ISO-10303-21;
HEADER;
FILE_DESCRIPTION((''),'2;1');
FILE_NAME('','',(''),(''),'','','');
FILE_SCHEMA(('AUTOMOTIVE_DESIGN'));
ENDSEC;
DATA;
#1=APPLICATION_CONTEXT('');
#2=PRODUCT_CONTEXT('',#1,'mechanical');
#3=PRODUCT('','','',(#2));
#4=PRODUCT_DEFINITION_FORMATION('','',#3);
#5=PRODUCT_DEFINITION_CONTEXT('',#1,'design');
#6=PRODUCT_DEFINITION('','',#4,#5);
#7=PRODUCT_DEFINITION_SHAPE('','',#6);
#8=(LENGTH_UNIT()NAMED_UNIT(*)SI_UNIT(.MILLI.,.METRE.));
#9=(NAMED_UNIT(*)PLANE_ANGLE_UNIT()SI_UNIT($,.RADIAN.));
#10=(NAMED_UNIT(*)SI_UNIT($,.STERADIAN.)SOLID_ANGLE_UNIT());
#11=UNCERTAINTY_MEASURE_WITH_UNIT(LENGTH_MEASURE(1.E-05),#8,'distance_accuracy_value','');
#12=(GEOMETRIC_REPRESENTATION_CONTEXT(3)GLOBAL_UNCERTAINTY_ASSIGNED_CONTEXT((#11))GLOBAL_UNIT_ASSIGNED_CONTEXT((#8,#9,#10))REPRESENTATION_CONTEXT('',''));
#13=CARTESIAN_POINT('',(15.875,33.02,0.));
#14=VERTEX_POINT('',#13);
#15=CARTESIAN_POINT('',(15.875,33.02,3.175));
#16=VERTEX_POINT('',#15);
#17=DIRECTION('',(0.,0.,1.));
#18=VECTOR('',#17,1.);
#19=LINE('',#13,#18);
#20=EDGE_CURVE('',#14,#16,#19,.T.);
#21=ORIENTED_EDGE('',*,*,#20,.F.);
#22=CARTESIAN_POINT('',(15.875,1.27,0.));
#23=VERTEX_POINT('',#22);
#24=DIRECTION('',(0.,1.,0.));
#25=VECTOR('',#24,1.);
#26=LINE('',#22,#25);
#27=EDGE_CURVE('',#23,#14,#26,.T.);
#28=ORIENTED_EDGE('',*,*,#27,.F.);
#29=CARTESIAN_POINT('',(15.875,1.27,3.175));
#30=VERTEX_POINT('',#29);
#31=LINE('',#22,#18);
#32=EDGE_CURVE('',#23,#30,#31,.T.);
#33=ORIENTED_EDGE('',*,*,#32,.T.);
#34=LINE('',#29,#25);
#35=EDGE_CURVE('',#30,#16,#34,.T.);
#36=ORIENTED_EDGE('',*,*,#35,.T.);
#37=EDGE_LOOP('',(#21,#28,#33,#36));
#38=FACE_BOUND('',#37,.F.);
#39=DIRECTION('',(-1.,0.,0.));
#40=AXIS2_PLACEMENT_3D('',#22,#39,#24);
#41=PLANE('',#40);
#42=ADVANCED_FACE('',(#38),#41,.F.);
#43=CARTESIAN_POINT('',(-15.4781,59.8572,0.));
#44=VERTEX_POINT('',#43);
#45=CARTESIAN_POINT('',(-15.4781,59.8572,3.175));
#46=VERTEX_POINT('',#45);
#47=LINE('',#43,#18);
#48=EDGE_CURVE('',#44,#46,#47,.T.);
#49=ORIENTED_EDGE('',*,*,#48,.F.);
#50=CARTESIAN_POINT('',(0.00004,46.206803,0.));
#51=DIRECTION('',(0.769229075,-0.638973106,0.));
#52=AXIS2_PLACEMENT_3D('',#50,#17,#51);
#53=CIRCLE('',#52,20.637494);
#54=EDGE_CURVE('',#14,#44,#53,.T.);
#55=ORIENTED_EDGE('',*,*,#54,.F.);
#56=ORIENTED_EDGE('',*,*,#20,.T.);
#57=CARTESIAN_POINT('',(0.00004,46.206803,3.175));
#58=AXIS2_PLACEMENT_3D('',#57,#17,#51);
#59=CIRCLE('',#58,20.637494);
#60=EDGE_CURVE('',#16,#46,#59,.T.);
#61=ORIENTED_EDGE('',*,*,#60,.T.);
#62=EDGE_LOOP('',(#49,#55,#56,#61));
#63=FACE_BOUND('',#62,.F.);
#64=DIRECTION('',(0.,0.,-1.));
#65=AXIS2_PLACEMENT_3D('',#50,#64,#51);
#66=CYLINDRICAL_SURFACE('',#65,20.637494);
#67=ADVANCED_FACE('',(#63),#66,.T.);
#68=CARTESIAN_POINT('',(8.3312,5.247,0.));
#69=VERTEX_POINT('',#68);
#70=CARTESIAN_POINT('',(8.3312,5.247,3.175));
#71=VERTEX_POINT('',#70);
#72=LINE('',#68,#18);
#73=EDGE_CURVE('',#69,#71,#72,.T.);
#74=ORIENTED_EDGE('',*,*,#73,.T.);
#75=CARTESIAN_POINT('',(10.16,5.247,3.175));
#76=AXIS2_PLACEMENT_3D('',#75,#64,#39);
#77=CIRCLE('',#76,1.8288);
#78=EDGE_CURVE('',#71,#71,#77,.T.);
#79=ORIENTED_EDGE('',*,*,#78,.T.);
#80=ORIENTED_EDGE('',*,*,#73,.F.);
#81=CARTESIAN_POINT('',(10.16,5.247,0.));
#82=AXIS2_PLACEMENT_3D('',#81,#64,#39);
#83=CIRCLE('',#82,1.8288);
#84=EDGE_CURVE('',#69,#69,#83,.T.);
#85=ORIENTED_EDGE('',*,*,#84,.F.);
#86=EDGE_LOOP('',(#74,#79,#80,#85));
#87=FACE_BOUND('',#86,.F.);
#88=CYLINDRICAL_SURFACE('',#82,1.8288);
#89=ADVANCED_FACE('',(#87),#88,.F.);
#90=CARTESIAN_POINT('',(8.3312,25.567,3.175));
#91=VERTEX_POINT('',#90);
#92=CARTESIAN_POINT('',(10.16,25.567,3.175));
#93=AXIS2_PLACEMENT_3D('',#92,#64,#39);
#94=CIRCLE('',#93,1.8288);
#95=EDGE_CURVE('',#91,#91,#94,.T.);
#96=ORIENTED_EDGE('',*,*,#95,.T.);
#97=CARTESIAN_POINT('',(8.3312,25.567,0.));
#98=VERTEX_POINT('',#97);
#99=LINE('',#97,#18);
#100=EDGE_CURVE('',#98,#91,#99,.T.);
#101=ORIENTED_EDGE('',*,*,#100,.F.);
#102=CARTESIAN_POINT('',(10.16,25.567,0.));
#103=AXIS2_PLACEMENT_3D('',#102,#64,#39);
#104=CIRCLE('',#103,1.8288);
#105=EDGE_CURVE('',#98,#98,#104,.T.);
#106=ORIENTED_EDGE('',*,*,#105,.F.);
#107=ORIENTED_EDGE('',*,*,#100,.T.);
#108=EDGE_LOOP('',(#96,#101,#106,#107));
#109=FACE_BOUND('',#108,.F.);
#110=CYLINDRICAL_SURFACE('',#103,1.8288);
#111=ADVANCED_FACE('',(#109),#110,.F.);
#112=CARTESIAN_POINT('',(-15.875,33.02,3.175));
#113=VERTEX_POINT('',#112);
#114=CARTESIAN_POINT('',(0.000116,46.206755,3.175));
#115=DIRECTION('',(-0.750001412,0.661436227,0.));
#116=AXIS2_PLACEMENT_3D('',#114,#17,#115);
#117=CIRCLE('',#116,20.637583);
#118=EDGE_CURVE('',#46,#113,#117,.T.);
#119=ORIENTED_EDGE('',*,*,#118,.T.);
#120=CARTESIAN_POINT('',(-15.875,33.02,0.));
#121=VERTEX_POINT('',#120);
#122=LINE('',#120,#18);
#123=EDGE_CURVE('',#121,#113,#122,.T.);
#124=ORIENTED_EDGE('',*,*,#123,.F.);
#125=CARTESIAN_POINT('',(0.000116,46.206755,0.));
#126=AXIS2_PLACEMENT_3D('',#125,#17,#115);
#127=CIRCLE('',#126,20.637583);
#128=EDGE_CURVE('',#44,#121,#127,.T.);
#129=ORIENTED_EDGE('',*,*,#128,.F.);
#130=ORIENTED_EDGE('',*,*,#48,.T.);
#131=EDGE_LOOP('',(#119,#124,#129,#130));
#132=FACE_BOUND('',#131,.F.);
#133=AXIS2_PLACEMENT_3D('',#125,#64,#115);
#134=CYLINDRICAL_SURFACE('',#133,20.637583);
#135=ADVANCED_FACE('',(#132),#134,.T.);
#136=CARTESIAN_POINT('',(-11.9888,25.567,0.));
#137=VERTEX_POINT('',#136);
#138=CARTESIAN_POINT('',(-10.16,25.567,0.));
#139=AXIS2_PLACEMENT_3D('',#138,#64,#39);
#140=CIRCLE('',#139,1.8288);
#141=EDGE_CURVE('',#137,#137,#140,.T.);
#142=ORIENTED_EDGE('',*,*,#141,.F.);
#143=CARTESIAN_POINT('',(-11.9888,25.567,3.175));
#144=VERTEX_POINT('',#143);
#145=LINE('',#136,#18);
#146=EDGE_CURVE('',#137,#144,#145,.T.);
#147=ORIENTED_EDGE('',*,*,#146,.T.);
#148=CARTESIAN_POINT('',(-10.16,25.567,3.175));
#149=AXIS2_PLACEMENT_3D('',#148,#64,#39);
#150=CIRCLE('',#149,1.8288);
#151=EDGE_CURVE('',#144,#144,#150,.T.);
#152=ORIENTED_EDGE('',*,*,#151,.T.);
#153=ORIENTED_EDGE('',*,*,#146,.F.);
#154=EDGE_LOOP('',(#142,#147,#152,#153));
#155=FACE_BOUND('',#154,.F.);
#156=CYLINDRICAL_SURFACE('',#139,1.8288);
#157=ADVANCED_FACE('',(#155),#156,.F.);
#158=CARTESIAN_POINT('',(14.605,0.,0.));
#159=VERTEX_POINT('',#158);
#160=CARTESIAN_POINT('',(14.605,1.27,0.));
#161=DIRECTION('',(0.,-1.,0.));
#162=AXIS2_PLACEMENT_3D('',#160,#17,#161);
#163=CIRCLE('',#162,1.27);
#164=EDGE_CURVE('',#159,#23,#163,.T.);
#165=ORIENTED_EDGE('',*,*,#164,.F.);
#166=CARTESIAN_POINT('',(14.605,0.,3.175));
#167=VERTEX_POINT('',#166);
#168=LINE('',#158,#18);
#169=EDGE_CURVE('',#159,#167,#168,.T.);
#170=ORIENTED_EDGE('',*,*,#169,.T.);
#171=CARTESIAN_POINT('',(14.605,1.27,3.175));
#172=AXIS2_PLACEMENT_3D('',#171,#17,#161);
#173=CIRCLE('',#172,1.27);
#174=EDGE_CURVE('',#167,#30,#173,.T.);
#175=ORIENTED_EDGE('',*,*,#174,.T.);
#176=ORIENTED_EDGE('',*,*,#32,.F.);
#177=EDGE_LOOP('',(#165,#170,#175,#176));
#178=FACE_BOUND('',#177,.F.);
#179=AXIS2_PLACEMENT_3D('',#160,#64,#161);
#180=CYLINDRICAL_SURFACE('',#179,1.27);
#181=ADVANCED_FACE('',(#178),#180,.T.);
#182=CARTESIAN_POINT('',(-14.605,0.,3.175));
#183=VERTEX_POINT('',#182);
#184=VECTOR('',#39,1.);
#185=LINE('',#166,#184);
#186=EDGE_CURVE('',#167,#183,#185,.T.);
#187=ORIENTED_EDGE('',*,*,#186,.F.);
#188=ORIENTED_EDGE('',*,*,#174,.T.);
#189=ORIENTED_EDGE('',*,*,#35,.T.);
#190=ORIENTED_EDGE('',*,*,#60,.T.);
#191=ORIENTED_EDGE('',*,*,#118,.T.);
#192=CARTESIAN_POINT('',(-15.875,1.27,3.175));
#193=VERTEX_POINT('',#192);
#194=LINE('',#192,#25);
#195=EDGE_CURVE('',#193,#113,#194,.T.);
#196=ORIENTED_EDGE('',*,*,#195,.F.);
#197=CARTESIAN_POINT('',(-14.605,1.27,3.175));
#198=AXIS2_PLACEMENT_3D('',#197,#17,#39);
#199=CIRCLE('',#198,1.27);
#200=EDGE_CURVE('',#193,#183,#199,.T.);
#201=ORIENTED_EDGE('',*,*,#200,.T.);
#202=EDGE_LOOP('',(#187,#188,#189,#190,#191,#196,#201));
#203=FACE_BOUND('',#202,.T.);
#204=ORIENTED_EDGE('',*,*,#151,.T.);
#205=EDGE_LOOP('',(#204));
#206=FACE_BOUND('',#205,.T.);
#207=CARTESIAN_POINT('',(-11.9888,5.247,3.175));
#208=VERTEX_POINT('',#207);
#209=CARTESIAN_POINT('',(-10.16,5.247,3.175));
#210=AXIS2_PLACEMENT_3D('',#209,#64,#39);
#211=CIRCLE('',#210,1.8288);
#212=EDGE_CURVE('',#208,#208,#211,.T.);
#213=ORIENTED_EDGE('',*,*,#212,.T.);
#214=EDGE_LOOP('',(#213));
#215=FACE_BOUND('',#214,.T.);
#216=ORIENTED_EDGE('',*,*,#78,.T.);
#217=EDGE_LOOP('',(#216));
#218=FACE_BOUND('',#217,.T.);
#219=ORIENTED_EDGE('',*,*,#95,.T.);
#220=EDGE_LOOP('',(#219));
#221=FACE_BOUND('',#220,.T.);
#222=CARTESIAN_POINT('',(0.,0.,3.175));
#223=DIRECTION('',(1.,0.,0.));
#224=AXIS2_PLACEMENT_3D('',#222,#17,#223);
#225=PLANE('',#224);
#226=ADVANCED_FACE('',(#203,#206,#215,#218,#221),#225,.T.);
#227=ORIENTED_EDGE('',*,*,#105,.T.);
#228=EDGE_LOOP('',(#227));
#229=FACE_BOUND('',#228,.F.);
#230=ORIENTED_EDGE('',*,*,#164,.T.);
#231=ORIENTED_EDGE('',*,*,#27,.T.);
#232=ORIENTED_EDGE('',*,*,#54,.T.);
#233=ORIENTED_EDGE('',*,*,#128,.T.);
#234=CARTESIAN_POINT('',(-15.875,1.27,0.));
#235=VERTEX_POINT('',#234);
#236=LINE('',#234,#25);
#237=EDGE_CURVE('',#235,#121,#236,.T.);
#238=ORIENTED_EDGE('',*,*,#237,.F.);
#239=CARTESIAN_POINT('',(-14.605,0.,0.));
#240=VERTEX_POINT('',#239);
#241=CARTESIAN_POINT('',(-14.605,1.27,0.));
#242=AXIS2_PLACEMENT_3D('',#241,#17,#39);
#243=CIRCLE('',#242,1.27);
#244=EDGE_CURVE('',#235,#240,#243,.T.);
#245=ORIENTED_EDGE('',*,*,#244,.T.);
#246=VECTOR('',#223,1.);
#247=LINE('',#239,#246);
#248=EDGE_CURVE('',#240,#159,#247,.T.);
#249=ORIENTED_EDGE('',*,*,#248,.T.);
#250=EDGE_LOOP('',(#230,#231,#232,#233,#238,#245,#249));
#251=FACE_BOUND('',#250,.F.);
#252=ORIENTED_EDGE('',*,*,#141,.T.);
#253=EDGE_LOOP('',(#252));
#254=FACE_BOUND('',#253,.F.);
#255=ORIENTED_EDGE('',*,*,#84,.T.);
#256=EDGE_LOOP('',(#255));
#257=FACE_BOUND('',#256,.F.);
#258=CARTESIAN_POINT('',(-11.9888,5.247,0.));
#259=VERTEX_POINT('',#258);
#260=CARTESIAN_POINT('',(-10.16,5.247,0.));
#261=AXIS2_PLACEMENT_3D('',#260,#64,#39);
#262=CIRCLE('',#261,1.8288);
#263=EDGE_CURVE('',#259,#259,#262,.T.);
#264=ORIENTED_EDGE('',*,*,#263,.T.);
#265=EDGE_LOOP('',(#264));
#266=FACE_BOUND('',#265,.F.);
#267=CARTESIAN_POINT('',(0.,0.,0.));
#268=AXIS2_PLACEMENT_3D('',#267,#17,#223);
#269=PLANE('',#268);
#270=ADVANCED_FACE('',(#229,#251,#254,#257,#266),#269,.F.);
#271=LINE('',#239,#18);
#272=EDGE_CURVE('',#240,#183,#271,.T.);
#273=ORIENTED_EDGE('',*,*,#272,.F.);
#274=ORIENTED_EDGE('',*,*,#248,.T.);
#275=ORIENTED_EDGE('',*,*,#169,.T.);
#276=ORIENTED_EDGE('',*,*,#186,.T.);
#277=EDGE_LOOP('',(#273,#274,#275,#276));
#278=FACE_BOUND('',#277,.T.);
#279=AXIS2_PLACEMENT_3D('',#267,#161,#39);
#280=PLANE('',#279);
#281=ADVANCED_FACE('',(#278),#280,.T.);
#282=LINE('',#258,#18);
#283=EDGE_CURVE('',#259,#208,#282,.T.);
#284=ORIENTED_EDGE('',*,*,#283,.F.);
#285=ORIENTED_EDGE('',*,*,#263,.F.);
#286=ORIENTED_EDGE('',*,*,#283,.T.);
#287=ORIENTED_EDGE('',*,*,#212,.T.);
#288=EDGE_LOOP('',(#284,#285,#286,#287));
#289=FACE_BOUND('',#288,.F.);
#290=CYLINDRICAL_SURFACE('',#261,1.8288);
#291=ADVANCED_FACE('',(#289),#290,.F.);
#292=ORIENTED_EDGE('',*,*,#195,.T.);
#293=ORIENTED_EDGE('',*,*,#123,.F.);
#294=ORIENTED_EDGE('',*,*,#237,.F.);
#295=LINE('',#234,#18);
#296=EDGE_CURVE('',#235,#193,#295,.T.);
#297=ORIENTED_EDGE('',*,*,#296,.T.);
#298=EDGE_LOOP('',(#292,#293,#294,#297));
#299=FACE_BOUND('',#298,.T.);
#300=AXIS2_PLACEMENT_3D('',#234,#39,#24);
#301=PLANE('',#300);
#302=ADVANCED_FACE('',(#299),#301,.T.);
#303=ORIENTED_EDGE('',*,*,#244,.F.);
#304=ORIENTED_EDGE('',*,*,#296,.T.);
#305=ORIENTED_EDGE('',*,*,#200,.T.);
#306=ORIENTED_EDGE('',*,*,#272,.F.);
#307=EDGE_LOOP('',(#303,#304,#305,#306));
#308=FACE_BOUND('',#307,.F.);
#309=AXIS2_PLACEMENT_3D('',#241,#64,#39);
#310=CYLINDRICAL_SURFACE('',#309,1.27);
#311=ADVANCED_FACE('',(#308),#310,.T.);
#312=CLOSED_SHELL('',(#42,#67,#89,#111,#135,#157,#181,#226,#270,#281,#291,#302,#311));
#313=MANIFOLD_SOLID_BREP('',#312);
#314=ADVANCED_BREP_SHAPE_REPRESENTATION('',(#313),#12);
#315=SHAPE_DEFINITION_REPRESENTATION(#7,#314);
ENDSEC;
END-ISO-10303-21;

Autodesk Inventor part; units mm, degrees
ref_plane "YZ Plane" through (0, 0, 0) normal (1, 0, 0) x (0, 1, 0)
ref_plane "XZ Plane" through (0, 0, 0) normal (0, 1, 0) x (-1, 0, 0)
ref_plane "XY Plane" through (0, 0, 0) normal (0, 0, 1) x (1, 0, 0)
sketch "Sketch1" plane through (0, 0, 0) normal (0, 0, 1) x (1, 0, 0)
  line L0 (0, 0) -> (-14.605, 0)
  line L1 (-15.875, 1.27) -> (-15.875, 33.02)
  arc A0 (-15.875, 1.27) -> (-14.605, 0) centre (-14.605, 1.27) ccw
  line L2 (0, 11.7273) -> (0, 6.5424)
  line L3 (0, 0) -> (14.605, 0)
  line L4 (15.875, 1.27) -> (15.875, 33.02)
  arc A1 (14.605, 0) -> (15.875, 1.27) centre (14.605, 1.27) ccw
  arc A2 (15.875, 33.02) -> (-15.4781, 59.8572) centre (0, 46.2068) ccw
  arc A3 (-15.4781, 59.8572) -> (-15.875, 33.02) centre (0, 46.2068) ccw
  circle A4 centre (-10.16, 25.567) radius 1.8288
  circle A5 centre (10.16, 25.567) radius 1.8288
  circle A6 centre (-10.16, 5.247) radius 1.8288
  circle A7 centre (10.16, 5.247) radius 1.8288
  circle A8 centre (0, 46.2068) radius 6.35
  dimension "d1" = 14.605
  dimension "d2" = 1.27
  dimension "d4" = 31.75
  dimension "d8" = 31.75
  dimension "d42" = 20.6375
  dimension "d72" = 20.32
  dimension "d73" = 20.32
  dimension "d74" = 3.6576
  dimension "d75" = 3.6576
  dimension "d76" = 3.6576
  dimension "d77" = 3.6576
  dimension "d78" = 12.7
extrude "Extrusion1" add sketch "Sketch1" along normal blind 3.175 contours L0 A0 L1 A3 A2 L4 A1 L3 | A4 | A5 | A6 | A7 | A8
sketch "Sketch2" plane through (0, 0, 0) normal (0, 0, -1) x (-1, 0, 0)
  line L0 (-14.605, 0) -> (14.605, 0) projected
  arc A0 (15.875, 33.02) -> (-15.875, 33.02) centre (0, 46.2068) ccw projected
  line L1 (0, 46.2068) -> (15.24, 46.2068)
  line L2 (0, 46.2068) -> (0, 30.9668)
  line L3 (0, 46.2068) -> (0, 61.4468)
  line L4 (0, 46.2068) -> (-15.24, 46.2068)
  circle A1 centre (-10.16, 25.567) radius 1.8288
  circle A2 centre (10.16, 25.567) radius 1.8288
  circle A3 centre (-10.16, 5.247) radius 1.8288
  circle A4 centre (10.16, 5.247) radius 1.8288
  point P0 (0, 0)
  point P1 (15.875, 1.27)
  dimension "d52" = 15.24
  dimension "d53" = 15.24
  dimension "d54" = 15.24
  dimension "d55" = 15.24
  dimension "d58" = 31.75
  dimension "d59" = 13.1868
  dimension "d60" = 20.6375
  dimension "d61" = 46.2068
  dimension "d62" = 20.32
  dimension "d64" = 20.32
  dimension "d65" = 3.6576
  dimension "d67" = 3.6576
  dimension "d68" = 3.6576
  dimension "d69" = 3.6576
extrude "Extrusion2" cut sketch "Sketch2" against normal through all
properties part number "MotorMountTop"
